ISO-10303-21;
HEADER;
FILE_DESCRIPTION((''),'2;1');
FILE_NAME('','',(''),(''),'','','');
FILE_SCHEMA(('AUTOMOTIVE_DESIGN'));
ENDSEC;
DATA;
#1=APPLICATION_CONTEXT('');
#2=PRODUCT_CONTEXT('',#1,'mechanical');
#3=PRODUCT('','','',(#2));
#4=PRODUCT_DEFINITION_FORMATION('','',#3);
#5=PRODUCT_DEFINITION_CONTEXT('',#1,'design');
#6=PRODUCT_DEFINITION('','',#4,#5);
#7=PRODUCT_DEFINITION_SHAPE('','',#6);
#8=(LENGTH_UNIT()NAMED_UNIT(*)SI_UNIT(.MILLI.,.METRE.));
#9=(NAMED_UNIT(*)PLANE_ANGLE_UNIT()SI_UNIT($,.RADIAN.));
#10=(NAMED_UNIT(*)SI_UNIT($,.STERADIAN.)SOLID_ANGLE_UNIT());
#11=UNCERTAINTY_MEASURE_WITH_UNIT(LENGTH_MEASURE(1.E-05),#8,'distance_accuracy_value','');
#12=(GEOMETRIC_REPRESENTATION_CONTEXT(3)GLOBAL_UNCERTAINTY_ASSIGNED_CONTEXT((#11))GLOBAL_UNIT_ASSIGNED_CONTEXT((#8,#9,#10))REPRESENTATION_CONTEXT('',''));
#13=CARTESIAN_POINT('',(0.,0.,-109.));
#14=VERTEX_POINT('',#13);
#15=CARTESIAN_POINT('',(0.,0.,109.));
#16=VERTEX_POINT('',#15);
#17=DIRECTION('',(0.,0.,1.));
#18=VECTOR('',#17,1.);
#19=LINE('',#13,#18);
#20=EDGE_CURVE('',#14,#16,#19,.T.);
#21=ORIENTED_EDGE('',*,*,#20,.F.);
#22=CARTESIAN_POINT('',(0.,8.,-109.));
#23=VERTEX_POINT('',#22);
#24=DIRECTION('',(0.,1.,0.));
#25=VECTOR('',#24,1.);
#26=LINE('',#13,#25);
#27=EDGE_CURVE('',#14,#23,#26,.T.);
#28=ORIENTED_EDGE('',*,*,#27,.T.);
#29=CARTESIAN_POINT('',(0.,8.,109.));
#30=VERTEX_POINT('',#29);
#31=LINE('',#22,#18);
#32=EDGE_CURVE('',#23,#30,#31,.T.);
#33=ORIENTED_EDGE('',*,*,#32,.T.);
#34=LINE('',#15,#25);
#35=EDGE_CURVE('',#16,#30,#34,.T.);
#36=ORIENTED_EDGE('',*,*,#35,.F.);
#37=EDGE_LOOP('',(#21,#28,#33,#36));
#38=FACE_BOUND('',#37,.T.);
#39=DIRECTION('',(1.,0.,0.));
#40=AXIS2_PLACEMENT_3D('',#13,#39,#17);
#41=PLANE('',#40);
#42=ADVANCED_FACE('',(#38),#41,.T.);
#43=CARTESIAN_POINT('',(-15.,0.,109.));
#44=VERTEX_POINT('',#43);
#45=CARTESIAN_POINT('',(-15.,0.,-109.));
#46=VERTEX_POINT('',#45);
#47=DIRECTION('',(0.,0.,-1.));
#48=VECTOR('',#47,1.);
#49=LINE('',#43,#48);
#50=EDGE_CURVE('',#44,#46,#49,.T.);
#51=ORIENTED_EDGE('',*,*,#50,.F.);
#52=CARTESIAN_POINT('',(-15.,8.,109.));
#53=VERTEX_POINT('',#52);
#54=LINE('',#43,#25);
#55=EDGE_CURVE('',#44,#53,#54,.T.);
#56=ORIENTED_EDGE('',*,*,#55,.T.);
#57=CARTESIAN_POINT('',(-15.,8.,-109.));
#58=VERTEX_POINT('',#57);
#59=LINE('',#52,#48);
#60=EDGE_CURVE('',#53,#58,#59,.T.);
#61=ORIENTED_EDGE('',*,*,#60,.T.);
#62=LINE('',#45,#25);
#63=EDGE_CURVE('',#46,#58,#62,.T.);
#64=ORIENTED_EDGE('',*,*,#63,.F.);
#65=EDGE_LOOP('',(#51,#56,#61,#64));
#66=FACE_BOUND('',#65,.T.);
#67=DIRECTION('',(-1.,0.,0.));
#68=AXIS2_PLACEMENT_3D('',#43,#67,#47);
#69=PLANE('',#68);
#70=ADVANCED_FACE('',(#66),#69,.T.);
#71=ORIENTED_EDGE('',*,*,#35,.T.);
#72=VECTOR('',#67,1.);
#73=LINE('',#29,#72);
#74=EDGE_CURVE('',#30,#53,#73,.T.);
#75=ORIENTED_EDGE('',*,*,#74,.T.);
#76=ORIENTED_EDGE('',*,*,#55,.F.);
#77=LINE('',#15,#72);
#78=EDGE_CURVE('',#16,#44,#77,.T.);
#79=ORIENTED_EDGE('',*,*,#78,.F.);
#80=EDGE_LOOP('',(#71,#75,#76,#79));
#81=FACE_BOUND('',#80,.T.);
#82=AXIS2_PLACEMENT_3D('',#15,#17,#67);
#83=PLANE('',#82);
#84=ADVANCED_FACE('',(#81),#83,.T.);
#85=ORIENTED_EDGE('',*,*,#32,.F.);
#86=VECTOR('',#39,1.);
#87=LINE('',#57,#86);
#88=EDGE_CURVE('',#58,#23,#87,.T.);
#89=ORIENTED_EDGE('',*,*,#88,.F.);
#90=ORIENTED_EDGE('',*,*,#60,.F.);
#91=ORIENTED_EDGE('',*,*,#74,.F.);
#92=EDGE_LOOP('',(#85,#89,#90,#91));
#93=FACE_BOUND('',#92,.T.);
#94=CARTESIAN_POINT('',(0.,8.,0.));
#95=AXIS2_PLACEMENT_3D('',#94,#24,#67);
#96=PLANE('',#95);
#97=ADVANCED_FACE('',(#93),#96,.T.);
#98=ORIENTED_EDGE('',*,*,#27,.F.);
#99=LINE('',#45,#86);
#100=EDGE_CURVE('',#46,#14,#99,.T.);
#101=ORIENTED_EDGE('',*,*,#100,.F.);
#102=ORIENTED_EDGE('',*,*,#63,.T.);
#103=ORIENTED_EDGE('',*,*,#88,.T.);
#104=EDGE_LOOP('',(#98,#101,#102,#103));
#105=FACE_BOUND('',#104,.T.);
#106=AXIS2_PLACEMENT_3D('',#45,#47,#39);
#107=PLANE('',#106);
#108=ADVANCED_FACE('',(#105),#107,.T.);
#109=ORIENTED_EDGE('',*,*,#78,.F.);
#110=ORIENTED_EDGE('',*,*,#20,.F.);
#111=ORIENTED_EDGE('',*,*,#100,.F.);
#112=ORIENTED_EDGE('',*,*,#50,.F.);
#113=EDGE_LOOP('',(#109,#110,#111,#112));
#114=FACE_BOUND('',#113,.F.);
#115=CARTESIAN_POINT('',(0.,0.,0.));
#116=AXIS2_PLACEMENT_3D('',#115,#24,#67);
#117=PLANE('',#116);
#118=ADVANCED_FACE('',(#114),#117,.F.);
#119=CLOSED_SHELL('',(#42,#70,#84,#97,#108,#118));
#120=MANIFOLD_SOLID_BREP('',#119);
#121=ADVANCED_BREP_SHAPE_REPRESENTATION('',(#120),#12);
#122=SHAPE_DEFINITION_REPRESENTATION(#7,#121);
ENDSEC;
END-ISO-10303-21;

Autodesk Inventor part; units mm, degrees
ref_plane "YZ Plane" through (0, 0, 0) normal (1, 0, 0) x (0, 1, 0)
ref_plane "XZ Plane" through (0, 0, 0) normal (0, 1, 0) x (-1, 0, 0)
ref_plane "XY Plane" through (0, 0, 0) normal (0, 0, 1) x (1, 0, 0)
sketch "Sketch1" plane through (0, 0, 0) normal (0, 1, 0) x (-1, 0, 0)
  line L0 (0, 109) -> (15, 109)
  line L1 (15, 109) -> (15, -109)
  line L2 (15, -109) -> (0, -109)
  line L3 (0, -109) -> (0, 109)
  point P0 (0, 0)
  point P1 (0, 0)
  dimension "d0" = 218
  dimension "d1" = 15
extrude "Extrusion1" add sketch "Sketch1" along normal blind 8
equation "\"d0\" = ferrite_length"
equation "\"d1\" = ferrite_width"
equation "\"d2\" = ferrite_height"
equation "\"ferrite_length\" = 218"
equation "\"ferrite_width\" = 15"
equation "\"ferrite_height\" = 8"
properties part number "ferrite_bar_long"
